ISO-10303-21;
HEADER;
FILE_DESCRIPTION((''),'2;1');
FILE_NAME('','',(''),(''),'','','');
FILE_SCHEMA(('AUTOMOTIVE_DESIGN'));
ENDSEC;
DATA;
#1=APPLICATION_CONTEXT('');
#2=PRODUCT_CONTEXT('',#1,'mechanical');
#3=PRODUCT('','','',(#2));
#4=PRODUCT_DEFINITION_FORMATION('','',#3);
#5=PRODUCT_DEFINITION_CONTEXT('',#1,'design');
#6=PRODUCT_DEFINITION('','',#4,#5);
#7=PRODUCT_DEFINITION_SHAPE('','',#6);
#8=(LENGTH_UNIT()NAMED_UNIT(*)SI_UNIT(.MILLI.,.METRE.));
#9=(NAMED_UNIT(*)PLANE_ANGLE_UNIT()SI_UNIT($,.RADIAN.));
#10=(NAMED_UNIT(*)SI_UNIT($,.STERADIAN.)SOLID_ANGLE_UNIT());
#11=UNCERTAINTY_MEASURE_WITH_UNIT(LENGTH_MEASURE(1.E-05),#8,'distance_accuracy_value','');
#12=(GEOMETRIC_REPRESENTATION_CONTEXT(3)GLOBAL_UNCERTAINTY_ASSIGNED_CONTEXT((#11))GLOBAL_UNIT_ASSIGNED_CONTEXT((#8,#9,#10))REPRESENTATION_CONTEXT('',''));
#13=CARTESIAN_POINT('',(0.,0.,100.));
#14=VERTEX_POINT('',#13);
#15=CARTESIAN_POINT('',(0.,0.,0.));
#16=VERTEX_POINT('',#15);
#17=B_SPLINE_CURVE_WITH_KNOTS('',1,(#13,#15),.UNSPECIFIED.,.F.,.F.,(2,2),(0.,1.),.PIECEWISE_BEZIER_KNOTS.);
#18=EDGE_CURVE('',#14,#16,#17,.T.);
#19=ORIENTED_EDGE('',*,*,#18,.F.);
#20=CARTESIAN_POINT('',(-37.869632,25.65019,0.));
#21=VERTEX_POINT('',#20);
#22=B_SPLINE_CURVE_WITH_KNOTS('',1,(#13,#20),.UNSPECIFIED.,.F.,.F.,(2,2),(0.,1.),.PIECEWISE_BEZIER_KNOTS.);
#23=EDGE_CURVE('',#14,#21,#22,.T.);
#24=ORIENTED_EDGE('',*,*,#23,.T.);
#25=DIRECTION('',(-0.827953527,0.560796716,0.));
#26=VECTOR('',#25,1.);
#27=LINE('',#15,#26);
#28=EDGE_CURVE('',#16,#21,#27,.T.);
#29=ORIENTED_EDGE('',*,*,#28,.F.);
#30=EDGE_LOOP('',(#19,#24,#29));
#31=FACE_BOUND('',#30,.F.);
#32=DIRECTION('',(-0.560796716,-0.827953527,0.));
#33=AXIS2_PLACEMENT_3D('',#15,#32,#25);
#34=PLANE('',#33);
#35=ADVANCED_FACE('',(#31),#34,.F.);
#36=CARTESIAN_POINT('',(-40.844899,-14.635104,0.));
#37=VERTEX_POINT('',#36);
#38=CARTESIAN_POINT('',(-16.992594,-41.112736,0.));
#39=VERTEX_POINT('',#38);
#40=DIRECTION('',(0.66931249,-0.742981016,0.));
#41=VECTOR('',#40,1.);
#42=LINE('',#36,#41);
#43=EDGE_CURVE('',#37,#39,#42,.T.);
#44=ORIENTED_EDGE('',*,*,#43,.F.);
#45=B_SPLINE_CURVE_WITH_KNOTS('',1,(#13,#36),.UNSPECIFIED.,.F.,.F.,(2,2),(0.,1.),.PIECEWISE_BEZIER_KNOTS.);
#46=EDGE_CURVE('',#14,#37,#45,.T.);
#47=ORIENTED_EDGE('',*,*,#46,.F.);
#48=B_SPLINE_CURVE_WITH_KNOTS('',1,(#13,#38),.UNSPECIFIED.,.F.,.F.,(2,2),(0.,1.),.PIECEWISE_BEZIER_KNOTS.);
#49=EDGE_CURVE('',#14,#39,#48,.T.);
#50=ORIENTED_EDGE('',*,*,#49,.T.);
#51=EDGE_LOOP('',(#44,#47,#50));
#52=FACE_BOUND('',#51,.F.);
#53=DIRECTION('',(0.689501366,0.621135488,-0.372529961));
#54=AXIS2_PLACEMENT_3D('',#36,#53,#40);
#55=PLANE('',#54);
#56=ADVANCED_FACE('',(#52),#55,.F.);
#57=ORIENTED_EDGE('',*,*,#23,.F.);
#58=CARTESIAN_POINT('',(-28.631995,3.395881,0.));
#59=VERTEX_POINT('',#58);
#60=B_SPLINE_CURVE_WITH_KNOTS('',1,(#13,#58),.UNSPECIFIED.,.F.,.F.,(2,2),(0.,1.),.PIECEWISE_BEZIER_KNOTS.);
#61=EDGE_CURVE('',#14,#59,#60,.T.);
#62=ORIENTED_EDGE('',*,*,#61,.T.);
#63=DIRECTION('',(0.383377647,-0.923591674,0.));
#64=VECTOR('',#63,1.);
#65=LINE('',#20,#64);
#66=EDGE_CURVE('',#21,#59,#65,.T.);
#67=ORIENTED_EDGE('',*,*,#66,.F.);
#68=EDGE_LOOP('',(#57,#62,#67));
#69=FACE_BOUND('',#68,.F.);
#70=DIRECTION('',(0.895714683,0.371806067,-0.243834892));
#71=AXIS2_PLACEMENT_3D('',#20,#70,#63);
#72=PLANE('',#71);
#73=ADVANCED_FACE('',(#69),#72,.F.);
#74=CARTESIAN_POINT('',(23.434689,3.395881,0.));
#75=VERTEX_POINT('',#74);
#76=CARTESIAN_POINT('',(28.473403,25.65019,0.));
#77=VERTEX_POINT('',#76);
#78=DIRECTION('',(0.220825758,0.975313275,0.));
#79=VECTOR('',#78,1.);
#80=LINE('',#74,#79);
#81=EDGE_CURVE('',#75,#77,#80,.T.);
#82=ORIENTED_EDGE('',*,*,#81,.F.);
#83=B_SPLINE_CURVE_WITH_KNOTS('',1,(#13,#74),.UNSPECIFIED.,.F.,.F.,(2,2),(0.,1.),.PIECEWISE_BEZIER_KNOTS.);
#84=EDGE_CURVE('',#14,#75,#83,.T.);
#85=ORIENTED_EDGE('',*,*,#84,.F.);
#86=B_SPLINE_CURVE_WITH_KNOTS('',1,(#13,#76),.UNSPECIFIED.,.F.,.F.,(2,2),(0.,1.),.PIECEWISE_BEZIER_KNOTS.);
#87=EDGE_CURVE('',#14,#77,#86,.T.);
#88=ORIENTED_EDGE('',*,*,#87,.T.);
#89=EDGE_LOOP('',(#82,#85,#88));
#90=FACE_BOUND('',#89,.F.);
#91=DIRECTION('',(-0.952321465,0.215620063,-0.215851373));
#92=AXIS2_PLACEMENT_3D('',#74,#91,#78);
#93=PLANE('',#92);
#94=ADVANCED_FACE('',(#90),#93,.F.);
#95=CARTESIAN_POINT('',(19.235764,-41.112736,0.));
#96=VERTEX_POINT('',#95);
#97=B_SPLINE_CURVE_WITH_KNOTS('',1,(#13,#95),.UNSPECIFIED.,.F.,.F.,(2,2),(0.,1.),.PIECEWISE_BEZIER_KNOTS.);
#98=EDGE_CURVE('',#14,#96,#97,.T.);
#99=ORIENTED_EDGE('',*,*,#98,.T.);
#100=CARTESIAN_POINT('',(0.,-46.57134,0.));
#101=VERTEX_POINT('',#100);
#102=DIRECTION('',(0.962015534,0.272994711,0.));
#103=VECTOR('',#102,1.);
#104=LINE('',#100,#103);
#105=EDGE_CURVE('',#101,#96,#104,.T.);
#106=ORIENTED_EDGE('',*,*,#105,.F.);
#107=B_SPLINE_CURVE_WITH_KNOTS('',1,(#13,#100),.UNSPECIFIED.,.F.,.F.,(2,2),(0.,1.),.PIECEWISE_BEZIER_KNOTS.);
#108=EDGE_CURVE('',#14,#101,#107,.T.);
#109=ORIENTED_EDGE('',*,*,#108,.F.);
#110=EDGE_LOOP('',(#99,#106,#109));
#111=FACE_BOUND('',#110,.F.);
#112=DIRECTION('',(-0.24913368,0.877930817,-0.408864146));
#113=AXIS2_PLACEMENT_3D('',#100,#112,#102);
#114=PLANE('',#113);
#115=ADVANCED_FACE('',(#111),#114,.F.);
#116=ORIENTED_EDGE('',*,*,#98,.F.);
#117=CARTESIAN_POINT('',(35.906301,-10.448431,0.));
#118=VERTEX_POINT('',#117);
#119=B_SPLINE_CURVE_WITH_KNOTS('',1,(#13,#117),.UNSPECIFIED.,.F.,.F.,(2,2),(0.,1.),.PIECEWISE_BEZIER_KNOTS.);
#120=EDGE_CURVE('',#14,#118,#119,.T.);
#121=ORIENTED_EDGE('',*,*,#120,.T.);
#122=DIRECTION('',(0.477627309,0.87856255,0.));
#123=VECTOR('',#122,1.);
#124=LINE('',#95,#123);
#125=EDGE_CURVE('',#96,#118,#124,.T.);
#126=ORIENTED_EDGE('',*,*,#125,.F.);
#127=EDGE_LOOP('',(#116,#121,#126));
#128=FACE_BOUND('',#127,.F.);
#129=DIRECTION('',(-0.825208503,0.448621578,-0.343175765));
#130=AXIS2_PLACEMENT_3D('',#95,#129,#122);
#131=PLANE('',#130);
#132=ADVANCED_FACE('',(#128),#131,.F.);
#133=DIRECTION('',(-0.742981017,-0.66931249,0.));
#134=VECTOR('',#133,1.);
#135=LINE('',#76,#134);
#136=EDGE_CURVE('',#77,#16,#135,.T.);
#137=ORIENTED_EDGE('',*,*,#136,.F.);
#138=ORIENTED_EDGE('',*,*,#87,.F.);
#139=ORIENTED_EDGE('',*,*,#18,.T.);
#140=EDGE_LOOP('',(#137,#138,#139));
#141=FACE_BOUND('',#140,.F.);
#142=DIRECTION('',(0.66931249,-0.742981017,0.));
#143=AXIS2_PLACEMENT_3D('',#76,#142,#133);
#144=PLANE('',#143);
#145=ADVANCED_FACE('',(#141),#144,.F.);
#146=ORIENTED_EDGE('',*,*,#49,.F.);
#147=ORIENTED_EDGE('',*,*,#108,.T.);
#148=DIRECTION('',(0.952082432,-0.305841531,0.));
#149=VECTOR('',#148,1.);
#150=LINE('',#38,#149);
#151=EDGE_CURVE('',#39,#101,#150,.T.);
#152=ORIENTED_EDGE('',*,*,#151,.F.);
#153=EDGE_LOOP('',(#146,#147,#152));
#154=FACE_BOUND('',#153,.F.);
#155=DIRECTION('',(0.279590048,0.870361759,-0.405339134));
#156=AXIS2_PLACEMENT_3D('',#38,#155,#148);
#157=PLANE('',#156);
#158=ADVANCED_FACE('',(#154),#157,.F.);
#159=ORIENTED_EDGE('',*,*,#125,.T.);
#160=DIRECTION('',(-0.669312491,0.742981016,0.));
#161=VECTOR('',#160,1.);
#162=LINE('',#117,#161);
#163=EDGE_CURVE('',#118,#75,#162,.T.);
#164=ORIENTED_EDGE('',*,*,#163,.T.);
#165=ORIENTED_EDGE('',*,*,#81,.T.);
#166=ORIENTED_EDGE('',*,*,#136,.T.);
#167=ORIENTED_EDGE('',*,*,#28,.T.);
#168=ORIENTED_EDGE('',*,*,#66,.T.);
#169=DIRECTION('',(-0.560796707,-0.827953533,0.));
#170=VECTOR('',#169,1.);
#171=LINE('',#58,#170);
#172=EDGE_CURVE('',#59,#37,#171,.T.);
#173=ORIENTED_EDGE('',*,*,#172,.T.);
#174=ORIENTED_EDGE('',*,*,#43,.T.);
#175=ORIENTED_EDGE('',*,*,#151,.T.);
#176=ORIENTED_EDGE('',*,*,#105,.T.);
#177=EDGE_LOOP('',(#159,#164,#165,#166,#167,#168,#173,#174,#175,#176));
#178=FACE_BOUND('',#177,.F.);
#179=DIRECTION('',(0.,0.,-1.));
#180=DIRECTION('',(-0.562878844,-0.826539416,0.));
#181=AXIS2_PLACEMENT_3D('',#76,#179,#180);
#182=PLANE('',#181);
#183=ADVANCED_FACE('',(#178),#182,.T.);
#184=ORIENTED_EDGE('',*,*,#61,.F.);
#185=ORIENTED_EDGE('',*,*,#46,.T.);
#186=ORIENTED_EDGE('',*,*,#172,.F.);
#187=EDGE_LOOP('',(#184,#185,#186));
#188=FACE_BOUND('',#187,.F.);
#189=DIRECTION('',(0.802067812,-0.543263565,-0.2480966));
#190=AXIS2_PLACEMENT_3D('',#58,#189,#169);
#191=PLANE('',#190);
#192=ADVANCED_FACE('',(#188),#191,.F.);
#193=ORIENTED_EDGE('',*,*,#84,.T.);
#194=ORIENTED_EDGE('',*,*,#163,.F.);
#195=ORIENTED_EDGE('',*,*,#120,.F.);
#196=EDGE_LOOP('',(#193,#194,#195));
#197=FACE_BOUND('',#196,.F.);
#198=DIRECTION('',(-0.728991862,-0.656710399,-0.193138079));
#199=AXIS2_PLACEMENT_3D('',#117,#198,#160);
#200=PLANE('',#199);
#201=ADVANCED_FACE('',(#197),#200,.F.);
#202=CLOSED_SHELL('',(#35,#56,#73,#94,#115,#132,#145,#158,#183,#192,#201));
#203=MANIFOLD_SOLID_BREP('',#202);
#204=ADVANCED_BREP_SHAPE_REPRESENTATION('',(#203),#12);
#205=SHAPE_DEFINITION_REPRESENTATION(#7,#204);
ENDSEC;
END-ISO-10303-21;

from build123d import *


with BuildPart() as f3:
    # F0 (on Top) → F3 section 0
    with BuildSketch(Plane.XY, mode=Mode.PRIVATE) as f3_s0:
        Polygon((28.473403, 25.65019), (0, 0), (-37.869632, 25.65019), (-28.631995, 3.395881), (-40.844899, -14.635104), (-16.992594, -41.112736), (0, -46.57134), (19.235764, -41.112736), (35.906301, -10.448431), (23.434689, 3.395881), align=None)
    loft([Vertex(0, 0, 100), f3_s0.sketch])


solid = f3.part
